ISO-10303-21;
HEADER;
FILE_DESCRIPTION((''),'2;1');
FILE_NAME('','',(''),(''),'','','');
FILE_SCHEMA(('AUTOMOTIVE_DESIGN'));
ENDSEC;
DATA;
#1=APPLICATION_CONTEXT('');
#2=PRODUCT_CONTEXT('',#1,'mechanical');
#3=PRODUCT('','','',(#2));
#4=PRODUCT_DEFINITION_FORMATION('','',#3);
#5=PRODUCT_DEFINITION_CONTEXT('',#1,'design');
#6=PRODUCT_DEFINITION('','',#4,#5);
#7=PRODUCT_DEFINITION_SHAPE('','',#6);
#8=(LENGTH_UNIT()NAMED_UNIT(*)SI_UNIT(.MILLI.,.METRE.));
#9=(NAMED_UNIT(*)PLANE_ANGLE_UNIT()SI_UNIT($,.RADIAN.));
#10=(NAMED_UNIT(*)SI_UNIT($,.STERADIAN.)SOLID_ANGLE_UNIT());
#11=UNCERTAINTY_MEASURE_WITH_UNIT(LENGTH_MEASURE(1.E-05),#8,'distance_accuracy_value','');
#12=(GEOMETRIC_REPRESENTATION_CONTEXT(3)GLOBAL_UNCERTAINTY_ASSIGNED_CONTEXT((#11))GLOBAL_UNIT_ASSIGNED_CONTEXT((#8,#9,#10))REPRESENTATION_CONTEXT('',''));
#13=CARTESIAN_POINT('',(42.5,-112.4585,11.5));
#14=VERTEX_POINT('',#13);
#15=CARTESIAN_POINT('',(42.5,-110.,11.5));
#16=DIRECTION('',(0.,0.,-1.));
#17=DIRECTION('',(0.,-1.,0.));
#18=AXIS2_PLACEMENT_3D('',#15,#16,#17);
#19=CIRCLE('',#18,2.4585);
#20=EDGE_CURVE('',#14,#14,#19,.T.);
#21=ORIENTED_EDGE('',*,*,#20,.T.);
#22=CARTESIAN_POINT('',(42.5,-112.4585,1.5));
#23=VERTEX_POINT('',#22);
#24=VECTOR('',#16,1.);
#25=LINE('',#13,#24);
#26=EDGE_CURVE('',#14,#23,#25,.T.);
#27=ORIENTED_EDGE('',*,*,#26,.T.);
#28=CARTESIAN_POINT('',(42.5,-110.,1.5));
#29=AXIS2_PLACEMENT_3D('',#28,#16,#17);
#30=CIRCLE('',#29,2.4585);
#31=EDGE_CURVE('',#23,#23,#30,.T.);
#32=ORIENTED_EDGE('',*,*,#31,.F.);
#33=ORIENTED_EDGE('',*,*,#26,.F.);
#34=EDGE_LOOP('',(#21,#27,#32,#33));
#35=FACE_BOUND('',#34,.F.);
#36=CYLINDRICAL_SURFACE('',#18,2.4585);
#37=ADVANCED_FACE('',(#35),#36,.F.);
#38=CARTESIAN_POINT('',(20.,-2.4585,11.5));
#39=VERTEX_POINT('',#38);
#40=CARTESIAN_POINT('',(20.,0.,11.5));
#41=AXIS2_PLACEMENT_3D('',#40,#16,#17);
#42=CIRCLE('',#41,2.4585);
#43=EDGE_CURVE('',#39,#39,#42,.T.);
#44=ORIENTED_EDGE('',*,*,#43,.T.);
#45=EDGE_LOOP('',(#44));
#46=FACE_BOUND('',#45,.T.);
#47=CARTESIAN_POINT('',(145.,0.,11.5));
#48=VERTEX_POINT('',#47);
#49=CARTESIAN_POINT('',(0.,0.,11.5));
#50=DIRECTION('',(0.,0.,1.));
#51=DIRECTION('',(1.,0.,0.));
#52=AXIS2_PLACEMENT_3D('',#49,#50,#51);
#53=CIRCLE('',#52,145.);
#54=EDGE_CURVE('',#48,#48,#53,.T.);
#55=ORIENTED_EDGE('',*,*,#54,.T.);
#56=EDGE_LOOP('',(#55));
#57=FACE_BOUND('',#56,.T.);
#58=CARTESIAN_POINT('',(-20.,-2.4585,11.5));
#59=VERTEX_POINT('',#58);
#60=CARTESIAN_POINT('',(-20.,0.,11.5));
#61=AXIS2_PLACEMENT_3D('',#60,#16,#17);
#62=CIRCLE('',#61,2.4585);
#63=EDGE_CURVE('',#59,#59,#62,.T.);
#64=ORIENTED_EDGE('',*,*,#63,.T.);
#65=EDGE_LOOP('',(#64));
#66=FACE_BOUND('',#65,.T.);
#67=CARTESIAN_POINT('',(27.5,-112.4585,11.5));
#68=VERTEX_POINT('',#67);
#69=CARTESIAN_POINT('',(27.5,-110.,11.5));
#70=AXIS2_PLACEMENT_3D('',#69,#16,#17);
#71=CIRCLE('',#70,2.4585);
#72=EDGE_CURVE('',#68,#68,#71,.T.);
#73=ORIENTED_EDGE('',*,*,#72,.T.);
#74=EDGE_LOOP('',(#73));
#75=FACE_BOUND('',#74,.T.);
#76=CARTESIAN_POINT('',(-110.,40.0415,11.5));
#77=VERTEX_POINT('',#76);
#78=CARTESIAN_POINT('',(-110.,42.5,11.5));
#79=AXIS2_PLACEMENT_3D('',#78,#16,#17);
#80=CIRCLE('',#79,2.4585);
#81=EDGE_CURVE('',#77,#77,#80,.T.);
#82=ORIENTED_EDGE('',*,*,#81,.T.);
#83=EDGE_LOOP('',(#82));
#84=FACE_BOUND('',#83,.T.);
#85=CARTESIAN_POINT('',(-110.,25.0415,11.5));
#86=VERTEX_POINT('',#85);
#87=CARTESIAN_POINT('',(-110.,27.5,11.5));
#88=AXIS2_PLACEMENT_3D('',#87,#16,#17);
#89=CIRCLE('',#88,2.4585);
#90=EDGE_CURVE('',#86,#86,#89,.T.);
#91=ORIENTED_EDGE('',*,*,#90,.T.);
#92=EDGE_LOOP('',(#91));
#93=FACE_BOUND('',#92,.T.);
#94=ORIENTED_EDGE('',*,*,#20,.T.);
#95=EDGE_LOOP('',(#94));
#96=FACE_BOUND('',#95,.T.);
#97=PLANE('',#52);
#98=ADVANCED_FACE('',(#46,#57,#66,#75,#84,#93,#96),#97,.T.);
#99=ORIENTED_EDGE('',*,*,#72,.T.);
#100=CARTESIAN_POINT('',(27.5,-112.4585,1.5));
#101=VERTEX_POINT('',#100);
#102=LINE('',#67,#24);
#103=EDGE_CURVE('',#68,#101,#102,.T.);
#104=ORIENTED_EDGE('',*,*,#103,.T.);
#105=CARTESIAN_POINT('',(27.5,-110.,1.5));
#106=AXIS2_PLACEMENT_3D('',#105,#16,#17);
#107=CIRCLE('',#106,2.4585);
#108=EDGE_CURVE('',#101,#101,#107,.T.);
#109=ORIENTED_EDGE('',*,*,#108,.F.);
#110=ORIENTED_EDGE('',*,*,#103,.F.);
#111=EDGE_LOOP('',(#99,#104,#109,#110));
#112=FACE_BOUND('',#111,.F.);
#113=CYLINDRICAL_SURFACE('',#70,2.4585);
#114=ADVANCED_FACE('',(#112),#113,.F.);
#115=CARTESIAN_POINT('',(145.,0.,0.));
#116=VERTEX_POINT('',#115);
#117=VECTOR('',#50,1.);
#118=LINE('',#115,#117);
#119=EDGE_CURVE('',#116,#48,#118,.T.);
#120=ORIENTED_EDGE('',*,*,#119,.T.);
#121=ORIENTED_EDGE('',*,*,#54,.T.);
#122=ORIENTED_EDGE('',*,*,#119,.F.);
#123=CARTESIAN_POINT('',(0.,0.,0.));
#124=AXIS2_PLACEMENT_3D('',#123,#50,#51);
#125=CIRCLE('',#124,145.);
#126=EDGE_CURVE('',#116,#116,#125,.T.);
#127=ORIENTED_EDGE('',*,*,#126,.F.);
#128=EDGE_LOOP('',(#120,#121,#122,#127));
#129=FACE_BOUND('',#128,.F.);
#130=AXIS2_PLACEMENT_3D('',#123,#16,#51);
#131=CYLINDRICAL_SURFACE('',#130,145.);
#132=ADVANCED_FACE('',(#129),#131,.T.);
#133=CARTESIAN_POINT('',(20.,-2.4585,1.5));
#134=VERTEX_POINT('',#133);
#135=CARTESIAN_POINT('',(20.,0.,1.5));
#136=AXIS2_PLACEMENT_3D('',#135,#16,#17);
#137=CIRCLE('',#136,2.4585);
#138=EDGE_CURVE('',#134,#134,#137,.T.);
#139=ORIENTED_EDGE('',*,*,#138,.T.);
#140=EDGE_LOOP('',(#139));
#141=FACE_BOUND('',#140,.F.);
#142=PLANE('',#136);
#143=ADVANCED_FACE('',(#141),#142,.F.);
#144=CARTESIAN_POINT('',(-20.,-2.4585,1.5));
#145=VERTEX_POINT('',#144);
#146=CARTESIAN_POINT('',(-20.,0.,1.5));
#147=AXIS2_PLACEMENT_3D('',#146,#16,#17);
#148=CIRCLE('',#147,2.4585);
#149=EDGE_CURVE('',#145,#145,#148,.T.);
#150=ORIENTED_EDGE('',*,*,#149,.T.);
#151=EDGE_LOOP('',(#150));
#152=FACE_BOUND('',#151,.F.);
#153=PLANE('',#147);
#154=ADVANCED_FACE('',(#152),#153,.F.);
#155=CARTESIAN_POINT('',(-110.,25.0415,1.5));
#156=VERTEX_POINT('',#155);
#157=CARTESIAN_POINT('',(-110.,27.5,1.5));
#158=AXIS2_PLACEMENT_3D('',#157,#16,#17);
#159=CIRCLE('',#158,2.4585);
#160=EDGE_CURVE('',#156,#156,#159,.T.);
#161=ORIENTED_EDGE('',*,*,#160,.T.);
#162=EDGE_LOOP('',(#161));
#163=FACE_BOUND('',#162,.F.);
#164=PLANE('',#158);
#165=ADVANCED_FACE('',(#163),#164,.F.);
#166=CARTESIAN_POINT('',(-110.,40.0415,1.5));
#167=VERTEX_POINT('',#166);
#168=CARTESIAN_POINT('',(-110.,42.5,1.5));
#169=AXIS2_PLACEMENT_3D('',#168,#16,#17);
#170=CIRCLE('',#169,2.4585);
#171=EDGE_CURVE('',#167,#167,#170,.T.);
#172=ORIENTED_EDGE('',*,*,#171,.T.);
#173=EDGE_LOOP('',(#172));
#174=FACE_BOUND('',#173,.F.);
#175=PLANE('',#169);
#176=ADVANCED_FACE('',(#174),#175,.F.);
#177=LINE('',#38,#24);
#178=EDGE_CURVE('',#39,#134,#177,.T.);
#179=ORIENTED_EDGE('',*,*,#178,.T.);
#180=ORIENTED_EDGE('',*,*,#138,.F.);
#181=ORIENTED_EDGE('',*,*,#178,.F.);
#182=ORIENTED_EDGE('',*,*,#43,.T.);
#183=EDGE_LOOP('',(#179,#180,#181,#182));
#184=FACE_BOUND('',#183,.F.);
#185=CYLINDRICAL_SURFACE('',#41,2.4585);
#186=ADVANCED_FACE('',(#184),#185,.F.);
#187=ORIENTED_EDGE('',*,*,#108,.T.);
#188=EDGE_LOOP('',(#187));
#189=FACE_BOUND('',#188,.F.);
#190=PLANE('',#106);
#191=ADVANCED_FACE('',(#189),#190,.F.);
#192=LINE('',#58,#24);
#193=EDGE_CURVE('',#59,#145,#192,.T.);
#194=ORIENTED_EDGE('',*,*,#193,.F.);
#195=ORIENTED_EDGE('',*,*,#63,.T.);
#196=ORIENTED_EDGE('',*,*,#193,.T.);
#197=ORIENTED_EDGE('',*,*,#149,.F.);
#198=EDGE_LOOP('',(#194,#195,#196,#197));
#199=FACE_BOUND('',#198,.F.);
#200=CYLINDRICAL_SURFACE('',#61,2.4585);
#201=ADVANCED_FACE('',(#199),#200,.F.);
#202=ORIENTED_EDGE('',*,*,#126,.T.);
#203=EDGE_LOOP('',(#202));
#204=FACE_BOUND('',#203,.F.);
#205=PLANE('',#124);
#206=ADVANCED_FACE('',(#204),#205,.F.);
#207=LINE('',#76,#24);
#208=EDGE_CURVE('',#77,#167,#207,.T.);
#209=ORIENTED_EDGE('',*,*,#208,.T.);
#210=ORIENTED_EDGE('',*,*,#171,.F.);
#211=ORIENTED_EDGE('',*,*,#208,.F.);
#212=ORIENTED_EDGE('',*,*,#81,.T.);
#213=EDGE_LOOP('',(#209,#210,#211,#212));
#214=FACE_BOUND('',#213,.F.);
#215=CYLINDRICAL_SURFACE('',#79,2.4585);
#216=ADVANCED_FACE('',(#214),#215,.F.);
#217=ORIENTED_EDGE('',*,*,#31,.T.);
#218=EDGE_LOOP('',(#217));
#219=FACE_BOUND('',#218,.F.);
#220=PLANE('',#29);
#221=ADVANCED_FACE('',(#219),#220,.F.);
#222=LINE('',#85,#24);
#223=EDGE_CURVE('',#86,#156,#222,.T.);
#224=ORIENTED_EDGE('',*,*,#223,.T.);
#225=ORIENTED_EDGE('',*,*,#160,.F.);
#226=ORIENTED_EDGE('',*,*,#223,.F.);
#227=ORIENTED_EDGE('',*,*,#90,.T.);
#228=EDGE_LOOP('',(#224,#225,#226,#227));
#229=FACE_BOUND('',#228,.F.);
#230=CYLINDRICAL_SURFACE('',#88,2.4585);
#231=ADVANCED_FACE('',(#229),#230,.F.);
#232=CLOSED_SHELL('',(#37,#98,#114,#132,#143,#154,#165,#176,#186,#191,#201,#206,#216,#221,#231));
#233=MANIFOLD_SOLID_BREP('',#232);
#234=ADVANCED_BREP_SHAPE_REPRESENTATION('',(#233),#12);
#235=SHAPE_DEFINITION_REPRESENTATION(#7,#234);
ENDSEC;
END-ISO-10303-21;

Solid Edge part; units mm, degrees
sketch "Sketch1" plane through (0, 0, 0) normal (0, 0, 1) x (1, 0, 0)
  circle A0 centre (0, 0) radius 145
extrude "Protrusion1" add sketch "Sketch1" along normal blind 11.5
hole "Bohrung_1" at (-20, 0, 11.5) direction (0, 0, -1) diameter 4.917 depth 10 thread major 6 thread length 8
hole "Hole1" at (20, 0, 11.5) direction (0, 0, -1) diameter 4.917 depth 10 thread major 6 thread length 8
hole "Bohrung_3" at (-110, 42.5, 11.5) direction (0, 0, -1) diameter 4.917 depth 10 thread major 6 thread length 8
hole "Hole2" at (-110, 27.5, 11.5) direction (0, 0, -1) diameter 4.917 depth 10 thread major 6 thread length 8
hole "Bohrung_9" at (42.5, -110, 11.5) direction (0, 0, -1) diameter 4.917 depth 10 thread major 6 thread length 8
hole "Hole3" at (27.5, -110, 11.5) direction (0, 0, -1) diameter 4.917 depth 10 thread major 6 thread length 8
